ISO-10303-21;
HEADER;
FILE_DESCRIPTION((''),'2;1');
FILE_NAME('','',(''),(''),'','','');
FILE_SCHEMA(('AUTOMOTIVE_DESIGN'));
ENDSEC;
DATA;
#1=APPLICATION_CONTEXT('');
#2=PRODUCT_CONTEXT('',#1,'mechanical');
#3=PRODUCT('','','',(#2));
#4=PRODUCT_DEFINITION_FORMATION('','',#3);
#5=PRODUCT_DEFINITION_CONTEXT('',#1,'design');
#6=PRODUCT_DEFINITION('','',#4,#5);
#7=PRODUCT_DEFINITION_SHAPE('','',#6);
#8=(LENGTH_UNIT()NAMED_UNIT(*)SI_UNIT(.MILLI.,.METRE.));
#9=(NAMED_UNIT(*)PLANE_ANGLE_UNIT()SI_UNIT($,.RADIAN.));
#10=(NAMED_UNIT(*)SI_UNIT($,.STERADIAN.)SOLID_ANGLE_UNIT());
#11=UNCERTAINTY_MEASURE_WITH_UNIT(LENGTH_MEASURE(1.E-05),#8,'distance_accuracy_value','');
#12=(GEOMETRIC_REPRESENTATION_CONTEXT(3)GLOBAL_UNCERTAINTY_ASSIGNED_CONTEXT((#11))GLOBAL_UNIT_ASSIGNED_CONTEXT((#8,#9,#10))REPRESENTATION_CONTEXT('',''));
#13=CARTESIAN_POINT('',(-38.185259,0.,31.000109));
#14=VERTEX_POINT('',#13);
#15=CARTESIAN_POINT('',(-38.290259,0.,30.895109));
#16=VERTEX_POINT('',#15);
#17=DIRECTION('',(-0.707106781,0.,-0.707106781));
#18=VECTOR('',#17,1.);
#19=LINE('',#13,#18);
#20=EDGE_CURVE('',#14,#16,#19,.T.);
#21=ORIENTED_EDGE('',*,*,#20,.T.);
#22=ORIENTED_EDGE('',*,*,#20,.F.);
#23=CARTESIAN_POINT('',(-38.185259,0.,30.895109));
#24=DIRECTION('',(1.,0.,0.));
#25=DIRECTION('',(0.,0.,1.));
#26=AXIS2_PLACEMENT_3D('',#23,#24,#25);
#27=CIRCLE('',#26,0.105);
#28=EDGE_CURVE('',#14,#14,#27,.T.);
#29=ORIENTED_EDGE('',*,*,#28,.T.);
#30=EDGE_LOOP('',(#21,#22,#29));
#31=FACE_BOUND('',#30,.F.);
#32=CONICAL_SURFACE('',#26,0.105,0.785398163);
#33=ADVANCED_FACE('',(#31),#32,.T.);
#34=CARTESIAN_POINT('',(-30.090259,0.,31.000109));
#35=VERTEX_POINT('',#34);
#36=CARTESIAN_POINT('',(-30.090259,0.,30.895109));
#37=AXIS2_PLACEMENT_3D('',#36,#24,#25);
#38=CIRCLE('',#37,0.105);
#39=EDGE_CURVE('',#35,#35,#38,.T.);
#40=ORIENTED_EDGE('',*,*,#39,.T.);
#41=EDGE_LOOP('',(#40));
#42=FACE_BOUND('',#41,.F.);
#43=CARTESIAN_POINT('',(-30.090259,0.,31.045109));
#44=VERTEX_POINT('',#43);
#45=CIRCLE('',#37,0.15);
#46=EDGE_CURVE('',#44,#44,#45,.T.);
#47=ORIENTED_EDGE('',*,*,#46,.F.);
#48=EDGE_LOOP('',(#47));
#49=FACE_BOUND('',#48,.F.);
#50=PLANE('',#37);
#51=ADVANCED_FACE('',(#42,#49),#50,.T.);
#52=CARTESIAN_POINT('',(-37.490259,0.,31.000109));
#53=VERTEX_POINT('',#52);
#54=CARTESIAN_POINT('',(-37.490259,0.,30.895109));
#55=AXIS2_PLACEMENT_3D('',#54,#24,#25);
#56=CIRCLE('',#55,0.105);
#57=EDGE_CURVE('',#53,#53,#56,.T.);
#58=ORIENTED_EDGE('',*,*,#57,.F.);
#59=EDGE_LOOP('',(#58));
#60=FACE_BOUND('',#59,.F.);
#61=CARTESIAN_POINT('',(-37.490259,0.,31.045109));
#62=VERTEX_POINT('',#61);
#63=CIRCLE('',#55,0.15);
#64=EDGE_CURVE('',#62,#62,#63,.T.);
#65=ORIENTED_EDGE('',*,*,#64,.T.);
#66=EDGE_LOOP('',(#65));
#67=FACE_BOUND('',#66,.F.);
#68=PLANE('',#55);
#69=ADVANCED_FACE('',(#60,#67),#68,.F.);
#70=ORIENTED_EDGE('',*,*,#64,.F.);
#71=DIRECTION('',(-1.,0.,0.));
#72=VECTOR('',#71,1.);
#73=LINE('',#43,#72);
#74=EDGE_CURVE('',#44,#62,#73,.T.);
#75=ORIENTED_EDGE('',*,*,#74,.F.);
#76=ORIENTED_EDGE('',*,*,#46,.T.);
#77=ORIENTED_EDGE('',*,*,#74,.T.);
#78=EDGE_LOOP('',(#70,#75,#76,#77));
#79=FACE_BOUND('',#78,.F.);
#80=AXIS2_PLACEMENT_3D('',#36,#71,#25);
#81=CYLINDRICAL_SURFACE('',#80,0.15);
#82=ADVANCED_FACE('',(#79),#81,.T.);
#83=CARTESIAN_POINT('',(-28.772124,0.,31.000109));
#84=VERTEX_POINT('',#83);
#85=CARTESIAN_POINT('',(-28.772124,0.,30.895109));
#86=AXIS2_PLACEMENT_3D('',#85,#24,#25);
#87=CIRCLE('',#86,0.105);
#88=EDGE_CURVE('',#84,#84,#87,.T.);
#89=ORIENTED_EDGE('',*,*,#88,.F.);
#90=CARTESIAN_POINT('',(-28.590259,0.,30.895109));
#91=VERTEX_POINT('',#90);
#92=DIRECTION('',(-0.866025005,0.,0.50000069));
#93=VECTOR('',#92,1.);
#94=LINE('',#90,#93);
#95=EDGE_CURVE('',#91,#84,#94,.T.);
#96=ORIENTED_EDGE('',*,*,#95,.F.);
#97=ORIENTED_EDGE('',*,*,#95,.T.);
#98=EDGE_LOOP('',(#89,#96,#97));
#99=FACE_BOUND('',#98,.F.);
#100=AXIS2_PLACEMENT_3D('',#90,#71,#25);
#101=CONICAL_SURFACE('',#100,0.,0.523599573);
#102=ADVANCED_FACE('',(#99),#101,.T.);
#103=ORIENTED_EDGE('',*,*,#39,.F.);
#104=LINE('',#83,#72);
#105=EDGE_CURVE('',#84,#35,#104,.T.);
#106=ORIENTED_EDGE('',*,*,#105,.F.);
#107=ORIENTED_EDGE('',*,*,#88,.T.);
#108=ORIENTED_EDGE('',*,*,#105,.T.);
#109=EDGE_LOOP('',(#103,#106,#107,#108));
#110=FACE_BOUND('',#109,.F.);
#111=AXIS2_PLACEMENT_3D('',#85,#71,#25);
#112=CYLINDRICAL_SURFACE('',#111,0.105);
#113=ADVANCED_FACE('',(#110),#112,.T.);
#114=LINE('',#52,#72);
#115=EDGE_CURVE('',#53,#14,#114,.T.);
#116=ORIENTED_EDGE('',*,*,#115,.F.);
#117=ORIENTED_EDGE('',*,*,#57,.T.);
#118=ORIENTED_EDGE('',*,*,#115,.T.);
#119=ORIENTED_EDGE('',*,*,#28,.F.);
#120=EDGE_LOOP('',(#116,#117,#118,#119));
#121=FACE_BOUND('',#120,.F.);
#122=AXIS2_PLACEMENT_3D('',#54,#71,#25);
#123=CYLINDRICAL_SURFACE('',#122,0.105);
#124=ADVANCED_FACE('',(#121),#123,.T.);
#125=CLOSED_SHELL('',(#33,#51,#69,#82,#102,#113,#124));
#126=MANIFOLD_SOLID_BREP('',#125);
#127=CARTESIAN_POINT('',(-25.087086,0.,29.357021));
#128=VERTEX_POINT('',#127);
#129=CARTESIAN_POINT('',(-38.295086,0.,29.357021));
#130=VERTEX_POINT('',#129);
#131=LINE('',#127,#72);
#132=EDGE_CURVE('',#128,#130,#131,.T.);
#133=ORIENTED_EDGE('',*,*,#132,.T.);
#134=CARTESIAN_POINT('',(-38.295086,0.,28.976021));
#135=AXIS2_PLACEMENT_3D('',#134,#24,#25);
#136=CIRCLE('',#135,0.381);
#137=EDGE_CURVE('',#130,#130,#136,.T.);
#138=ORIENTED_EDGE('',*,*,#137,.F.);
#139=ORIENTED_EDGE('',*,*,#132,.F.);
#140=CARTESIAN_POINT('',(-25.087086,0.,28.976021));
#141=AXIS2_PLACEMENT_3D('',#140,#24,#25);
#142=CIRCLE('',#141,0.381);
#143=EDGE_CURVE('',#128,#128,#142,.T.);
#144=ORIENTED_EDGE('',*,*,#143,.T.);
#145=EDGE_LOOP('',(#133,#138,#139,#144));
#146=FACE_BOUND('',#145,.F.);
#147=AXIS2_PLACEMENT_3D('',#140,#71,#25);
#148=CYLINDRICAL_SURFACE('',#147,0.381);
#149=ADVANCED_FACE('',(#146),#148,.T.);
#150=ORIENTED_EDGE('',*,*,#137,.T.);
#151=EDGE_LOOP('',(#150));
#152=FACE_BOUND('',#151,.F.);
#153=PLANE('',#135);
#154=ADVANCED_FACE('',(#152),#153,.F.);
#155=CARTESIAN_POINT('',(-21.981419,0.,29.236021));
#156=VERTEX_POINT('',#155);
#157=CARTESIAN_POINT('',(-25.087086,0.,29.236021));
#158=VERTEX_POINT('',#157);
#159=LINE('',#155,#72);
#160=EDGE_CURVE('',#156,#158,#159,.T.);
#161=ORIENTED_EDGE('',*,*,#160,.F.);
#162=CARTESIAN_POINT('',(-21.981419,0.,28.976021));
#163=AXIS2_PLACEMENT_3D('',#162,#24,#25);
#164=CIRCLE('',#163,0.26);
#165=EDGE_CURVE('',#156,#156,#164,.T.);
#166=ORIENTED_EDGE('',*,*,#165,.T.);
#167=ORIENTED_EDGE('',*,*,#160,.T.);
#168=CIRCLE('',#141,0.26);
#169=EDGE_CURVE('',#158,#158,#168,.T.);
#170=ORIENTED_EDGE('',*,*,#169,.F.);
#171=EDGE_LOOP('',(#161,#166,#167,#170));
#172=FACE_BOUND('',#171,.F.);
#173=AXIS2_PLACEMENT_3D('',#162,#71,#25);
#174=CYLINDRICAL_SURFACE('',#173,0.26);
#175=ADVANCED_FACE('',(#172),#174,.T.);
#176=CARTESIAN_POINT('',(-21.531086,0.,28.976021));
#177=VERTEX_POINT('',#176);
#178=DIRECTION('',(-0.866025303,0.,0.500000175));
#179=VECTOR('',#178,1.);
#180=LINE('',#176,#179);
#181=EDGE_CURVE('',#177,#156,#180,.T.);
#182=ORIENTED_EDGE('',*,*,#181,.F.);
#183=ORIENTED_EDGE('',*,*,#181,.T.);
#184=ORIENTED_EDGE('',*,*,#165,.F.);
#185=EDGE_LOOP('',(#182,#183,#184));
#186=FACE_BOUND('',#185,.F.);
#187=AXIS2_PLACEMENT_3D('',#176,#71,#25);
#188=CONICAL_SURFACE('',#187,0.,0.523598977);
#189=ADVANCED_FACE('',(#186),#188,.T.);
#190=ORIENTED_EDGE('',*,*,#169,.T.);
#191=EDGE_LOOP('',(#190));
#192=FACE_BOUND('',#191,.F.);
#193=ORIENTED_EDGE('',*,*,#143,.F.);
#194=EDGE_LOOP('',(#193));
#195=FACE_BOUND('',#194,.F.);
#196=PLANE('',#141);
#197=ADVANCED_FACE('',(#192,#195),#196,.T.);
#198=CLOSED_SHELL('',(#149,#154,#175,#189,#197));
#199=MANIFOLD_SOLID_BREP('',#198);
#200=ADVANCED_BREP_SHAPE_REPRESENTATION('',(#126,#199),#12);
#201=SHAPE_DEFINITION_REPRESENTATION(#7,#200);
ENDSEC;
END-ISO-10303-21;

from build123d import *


with BuildPart() as f1:
    # F0 (on Front) → F1 (revolve)
    with BuildSketch(Plane.XZ):
        Polygon((-37.490259, 30.895109), (-37.490259, 31.000109), (-38.185259, 31.000109), (-38.290259, 30.895109), align=None)
        Polygon((-30.090259, 31.045109), (-37.490259, 31.045109), (-37.490259, 31.000109), (-37.490259, 30.895109), (-30.090259, 30.895109), (-30.090259, 31.000109), align=None)
        Polygon((-28.772124, 31.000109), (-30.090259, 31.000109), (-30.090259, 30.895109), (-28.590259, 30.895109), align=None)
    revolve(axis=Axis((-33.790259, 0, 30.895109), (1, 0, 0)))


with BuildPart() as f3:
    # F2 (on Front) → F3 (revolve)
    with BuildSketch(Plane.XZ):
        Polygon((-25.087086, 29.357021), (-38.295086, 29.357021), (-38.295086, 28.976021), (-25.087086, 28.976021), (-25.087086, 29.236021), align=None)
        Polygon((-21.981419, 29.236021), (-25.087086, 29.236021), (-25.087086, 28.976021), (-21.531086, 28.976021), align=None)
    revolve(axis=Axis((-31.691086, 0, 28.976021), (1, 0, 0)))


solid = Compound([f1.part, f3.part])
